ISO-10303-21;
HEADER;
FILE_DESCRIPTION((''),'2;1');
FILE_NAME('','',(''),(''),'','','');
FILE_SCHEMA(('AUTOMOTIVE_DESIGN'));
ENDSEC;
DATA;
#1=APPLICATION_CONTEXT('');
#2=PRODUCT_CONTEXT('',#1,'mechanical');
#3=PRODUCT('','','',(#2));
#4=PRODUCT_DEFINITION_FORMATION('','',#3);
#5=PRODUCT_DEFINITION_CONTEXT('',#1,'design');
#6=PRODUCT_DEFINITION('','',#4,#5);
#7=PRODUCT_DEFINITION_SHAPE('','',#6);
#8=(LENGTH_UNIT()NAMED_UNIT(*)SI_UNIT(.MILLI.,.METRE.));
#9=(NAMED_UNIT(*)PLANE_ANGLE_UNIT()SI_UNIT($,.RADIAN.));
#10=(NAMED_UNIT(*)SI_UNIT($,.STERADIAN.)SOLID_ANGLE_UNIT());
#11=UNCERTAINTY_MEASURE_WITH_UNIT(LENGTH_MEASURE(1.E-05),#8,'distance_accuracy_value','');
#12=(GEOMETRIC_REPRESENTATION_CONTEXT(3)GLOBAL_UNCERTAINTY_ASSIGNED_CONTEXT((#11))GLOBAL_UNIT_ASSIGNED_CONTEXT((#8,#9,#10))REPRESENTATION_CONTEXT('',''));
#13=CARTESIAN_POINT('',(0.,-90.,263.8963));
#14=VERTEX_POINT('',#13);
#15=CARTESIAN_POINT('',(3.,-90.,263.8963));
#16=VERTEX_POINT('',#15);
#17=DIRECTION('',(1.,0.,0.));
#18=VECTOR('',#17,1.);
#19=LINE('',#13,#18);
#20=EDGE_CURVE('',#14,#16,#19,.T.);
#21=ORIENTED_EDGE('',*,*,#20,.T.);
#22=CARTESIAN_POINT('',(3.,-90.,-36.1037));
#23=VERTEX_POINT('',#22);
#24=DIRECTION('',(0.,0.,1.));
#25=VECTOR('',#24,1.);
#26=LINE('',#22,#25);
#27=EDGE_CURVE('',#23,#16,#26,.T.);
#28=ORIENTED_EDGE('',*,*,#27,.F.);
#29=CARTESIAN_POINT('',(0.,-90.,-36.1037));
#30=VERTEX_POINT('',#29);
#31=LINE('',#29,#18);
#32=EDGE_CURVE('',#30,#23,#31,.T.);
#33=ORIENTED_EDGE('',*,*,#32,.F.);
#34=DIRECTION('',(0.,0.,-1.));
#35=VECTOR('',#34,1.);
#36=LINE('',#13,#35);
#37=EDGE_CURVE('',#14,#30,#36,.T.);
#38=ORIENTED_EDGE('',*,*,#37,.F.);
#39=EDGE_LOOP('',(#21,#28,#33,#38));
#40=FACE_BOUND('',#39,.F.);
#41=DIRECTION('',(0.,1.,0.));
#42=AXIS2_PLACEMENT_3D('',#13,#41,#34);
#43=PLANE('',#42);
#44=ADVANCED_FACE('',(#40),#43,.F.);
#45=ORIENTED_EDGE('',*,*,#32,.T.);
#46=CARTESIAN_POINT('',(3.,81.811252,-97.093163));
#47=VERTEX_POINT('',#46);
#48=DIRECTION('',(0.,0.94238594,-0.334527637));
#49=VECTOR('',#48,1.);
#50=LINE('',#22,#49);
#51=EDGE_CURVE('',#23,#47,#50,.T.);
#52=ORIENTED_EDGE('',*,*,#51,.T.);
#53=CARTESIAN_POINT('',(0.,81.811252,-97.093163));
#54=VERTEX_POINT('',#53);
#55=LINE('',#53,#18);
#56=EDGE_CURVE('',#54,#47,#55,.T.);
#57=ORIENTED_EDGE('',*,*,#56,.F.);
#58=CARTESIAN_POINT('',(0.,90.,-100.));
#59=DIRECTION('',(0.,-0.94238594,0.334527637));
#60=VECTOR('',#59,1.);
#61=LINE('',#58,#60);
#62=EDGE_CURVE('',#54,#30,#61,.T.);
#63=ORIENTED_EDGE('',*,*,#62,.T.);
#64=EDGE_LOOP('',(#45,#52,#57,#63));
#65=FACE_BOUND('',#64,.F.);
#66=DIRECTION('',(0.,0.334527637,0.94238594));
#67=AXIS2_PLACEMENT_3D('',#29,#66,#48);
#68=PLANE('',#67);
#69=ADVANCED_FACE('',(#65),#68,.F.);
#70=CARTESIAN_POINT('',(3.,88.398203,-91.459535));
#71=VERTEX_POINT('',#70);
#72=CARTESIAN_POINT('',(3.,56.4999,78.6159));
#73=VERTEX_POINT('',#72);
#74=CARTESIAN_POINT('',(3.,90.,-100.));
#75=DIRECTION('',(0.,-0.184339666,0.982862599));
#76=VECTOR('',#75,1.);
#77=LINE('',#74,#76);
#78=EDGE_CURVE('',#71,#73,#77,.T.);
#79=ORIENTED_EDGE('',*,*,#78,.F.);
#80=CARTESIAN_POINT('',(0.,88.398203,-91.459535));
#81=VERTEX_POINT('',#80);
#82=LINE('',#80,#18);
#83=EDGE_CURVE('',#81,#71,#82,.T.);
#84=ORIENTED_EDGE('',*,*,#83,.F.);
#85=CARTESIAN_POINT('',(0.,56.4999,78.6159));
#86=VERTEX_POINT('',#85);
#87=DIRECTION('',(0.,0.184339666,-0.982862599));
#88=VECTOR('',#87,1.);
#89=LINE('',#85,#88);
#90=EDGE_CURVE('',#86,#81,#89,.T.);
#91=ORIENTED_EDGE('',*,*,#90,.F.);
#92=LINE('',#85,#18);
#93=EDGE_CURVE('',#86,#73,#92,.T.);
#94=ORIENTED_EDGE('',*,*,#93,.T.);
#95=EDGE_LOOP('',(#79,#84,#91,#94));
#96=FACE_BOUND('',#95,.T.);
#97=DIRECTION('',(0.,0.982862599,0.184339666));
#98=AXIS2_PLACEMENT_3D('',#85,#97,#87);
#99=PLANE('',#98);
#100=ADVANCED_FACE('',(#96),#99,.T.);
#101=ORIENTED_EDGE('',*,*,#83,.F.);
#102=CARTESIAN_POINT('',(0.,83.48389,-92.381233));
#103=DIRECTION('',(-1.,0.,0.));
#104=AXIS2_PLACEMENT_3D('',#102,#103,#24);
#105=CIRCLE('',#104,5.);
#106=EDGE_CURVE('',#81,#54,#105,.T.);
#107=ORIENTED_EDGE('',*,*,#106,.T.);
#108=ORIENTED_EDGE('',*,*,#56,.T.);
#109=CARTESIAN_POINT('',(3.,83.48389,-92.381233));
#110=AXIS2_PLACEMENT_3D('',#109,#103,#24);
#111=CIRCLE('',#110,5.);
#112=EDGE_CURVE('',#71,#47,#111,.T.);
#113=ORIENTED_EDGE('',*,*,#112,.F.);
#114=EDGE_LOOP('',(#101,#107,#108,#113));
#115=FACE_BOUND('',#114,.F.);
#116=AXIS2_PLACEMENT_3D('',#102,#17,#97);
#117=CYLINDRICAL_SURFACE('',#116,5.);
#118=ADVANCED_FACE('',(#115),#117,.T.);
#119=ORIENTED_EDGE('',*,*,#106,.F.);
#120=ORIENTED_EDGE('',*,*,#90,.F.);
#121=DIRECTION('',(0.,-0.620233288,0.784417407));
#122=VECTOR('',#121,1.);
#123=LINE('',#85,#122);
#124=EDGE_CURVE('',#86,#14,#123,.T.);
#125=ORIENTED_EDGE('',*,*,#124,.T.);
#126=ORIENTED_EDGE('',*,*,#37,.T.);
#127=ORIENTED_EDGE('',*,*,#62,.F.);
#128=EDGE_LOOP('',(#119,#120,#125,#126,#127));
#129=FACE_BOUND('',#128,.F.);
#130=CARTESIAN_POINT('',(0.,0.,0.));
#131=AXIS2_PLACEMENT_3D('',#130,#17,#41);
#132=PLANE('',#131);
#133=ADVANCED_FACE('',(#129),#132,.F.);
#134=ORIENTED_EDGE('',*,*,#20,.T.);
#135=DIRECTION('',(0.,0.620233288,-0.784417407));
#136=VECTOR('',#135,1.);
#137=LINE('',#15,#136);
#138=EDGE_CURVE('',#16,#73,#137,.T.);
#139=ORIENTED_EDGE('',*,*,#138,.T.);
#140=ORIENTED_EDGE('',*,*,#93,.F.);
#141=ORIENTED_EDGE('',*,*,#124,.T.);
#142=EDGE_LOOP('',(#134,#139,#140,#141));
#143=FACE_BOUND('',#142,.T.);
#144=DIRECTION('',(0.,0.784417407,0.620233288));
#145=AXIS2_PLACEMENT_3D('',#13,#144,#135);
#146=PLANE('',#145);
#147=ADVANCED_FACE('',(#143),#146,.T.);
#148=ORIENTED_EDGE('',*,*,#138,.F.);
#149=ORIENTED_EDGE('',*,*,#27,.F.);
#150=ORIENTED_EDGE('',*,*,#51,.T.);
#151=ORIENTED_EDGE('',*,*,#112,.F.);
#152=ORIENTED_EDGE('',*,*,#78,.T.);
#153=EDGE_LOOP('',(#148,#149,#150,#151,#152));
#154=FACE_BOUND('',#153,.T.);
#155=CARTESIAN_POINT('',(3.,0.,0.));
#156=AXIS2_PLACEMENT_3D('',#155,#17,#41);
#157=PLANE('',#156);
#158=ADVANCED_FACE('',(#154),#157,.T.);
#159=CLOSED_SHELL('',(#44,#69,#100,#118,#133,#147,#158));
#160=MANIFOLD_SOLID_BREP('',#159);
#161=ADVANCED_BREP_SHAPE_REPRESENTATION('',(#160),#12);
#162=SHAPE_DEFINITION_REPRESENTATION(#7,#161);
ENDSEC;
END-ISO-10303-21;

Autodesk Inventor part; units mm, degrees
ref_plane "YZ Plane" through (0, 0, 0) normal (1, 0, 0) x (0, 1, 0)
ref_plane "XZ Plane" through (0, 0, 0) normal (0, 1, 0) x (-1, 0, 0)
ref_plane "XY Plane" through (0, 0, 0) normal (0, 0, 1) x (1, 0, 0)
sketch "スケッチ1" plane through (0, 0, 0) normal (1, 0, 0) x (0, 1, 0)
  line L0 (-90, 263.8963) -> (-90, -36.1037)
  line L1 (-90, -36.1037) -> (90, -100)
  line L2 (-126, 0) -> (126, 0) projected
  line L3 (0, -172.7793) -> (0, 336.6756) projected
  line L4 (-90, 263.8963) -> (56.4999, 78.6159)
  line L5 (56.4999, 78.6159) -> (90, -100)
  dimension "d0" = 300
  dimension "d5" = 90
  dimension "d6" = 100
  dimension "d7" = 90
extrude "押し出し1" add sketch "スケッチ1" along normal blind 3
fillet "フィレット1" radius 5 1 edges at (1.5, 90, -100)
properties part number "stay_middle" material "CFRP"
